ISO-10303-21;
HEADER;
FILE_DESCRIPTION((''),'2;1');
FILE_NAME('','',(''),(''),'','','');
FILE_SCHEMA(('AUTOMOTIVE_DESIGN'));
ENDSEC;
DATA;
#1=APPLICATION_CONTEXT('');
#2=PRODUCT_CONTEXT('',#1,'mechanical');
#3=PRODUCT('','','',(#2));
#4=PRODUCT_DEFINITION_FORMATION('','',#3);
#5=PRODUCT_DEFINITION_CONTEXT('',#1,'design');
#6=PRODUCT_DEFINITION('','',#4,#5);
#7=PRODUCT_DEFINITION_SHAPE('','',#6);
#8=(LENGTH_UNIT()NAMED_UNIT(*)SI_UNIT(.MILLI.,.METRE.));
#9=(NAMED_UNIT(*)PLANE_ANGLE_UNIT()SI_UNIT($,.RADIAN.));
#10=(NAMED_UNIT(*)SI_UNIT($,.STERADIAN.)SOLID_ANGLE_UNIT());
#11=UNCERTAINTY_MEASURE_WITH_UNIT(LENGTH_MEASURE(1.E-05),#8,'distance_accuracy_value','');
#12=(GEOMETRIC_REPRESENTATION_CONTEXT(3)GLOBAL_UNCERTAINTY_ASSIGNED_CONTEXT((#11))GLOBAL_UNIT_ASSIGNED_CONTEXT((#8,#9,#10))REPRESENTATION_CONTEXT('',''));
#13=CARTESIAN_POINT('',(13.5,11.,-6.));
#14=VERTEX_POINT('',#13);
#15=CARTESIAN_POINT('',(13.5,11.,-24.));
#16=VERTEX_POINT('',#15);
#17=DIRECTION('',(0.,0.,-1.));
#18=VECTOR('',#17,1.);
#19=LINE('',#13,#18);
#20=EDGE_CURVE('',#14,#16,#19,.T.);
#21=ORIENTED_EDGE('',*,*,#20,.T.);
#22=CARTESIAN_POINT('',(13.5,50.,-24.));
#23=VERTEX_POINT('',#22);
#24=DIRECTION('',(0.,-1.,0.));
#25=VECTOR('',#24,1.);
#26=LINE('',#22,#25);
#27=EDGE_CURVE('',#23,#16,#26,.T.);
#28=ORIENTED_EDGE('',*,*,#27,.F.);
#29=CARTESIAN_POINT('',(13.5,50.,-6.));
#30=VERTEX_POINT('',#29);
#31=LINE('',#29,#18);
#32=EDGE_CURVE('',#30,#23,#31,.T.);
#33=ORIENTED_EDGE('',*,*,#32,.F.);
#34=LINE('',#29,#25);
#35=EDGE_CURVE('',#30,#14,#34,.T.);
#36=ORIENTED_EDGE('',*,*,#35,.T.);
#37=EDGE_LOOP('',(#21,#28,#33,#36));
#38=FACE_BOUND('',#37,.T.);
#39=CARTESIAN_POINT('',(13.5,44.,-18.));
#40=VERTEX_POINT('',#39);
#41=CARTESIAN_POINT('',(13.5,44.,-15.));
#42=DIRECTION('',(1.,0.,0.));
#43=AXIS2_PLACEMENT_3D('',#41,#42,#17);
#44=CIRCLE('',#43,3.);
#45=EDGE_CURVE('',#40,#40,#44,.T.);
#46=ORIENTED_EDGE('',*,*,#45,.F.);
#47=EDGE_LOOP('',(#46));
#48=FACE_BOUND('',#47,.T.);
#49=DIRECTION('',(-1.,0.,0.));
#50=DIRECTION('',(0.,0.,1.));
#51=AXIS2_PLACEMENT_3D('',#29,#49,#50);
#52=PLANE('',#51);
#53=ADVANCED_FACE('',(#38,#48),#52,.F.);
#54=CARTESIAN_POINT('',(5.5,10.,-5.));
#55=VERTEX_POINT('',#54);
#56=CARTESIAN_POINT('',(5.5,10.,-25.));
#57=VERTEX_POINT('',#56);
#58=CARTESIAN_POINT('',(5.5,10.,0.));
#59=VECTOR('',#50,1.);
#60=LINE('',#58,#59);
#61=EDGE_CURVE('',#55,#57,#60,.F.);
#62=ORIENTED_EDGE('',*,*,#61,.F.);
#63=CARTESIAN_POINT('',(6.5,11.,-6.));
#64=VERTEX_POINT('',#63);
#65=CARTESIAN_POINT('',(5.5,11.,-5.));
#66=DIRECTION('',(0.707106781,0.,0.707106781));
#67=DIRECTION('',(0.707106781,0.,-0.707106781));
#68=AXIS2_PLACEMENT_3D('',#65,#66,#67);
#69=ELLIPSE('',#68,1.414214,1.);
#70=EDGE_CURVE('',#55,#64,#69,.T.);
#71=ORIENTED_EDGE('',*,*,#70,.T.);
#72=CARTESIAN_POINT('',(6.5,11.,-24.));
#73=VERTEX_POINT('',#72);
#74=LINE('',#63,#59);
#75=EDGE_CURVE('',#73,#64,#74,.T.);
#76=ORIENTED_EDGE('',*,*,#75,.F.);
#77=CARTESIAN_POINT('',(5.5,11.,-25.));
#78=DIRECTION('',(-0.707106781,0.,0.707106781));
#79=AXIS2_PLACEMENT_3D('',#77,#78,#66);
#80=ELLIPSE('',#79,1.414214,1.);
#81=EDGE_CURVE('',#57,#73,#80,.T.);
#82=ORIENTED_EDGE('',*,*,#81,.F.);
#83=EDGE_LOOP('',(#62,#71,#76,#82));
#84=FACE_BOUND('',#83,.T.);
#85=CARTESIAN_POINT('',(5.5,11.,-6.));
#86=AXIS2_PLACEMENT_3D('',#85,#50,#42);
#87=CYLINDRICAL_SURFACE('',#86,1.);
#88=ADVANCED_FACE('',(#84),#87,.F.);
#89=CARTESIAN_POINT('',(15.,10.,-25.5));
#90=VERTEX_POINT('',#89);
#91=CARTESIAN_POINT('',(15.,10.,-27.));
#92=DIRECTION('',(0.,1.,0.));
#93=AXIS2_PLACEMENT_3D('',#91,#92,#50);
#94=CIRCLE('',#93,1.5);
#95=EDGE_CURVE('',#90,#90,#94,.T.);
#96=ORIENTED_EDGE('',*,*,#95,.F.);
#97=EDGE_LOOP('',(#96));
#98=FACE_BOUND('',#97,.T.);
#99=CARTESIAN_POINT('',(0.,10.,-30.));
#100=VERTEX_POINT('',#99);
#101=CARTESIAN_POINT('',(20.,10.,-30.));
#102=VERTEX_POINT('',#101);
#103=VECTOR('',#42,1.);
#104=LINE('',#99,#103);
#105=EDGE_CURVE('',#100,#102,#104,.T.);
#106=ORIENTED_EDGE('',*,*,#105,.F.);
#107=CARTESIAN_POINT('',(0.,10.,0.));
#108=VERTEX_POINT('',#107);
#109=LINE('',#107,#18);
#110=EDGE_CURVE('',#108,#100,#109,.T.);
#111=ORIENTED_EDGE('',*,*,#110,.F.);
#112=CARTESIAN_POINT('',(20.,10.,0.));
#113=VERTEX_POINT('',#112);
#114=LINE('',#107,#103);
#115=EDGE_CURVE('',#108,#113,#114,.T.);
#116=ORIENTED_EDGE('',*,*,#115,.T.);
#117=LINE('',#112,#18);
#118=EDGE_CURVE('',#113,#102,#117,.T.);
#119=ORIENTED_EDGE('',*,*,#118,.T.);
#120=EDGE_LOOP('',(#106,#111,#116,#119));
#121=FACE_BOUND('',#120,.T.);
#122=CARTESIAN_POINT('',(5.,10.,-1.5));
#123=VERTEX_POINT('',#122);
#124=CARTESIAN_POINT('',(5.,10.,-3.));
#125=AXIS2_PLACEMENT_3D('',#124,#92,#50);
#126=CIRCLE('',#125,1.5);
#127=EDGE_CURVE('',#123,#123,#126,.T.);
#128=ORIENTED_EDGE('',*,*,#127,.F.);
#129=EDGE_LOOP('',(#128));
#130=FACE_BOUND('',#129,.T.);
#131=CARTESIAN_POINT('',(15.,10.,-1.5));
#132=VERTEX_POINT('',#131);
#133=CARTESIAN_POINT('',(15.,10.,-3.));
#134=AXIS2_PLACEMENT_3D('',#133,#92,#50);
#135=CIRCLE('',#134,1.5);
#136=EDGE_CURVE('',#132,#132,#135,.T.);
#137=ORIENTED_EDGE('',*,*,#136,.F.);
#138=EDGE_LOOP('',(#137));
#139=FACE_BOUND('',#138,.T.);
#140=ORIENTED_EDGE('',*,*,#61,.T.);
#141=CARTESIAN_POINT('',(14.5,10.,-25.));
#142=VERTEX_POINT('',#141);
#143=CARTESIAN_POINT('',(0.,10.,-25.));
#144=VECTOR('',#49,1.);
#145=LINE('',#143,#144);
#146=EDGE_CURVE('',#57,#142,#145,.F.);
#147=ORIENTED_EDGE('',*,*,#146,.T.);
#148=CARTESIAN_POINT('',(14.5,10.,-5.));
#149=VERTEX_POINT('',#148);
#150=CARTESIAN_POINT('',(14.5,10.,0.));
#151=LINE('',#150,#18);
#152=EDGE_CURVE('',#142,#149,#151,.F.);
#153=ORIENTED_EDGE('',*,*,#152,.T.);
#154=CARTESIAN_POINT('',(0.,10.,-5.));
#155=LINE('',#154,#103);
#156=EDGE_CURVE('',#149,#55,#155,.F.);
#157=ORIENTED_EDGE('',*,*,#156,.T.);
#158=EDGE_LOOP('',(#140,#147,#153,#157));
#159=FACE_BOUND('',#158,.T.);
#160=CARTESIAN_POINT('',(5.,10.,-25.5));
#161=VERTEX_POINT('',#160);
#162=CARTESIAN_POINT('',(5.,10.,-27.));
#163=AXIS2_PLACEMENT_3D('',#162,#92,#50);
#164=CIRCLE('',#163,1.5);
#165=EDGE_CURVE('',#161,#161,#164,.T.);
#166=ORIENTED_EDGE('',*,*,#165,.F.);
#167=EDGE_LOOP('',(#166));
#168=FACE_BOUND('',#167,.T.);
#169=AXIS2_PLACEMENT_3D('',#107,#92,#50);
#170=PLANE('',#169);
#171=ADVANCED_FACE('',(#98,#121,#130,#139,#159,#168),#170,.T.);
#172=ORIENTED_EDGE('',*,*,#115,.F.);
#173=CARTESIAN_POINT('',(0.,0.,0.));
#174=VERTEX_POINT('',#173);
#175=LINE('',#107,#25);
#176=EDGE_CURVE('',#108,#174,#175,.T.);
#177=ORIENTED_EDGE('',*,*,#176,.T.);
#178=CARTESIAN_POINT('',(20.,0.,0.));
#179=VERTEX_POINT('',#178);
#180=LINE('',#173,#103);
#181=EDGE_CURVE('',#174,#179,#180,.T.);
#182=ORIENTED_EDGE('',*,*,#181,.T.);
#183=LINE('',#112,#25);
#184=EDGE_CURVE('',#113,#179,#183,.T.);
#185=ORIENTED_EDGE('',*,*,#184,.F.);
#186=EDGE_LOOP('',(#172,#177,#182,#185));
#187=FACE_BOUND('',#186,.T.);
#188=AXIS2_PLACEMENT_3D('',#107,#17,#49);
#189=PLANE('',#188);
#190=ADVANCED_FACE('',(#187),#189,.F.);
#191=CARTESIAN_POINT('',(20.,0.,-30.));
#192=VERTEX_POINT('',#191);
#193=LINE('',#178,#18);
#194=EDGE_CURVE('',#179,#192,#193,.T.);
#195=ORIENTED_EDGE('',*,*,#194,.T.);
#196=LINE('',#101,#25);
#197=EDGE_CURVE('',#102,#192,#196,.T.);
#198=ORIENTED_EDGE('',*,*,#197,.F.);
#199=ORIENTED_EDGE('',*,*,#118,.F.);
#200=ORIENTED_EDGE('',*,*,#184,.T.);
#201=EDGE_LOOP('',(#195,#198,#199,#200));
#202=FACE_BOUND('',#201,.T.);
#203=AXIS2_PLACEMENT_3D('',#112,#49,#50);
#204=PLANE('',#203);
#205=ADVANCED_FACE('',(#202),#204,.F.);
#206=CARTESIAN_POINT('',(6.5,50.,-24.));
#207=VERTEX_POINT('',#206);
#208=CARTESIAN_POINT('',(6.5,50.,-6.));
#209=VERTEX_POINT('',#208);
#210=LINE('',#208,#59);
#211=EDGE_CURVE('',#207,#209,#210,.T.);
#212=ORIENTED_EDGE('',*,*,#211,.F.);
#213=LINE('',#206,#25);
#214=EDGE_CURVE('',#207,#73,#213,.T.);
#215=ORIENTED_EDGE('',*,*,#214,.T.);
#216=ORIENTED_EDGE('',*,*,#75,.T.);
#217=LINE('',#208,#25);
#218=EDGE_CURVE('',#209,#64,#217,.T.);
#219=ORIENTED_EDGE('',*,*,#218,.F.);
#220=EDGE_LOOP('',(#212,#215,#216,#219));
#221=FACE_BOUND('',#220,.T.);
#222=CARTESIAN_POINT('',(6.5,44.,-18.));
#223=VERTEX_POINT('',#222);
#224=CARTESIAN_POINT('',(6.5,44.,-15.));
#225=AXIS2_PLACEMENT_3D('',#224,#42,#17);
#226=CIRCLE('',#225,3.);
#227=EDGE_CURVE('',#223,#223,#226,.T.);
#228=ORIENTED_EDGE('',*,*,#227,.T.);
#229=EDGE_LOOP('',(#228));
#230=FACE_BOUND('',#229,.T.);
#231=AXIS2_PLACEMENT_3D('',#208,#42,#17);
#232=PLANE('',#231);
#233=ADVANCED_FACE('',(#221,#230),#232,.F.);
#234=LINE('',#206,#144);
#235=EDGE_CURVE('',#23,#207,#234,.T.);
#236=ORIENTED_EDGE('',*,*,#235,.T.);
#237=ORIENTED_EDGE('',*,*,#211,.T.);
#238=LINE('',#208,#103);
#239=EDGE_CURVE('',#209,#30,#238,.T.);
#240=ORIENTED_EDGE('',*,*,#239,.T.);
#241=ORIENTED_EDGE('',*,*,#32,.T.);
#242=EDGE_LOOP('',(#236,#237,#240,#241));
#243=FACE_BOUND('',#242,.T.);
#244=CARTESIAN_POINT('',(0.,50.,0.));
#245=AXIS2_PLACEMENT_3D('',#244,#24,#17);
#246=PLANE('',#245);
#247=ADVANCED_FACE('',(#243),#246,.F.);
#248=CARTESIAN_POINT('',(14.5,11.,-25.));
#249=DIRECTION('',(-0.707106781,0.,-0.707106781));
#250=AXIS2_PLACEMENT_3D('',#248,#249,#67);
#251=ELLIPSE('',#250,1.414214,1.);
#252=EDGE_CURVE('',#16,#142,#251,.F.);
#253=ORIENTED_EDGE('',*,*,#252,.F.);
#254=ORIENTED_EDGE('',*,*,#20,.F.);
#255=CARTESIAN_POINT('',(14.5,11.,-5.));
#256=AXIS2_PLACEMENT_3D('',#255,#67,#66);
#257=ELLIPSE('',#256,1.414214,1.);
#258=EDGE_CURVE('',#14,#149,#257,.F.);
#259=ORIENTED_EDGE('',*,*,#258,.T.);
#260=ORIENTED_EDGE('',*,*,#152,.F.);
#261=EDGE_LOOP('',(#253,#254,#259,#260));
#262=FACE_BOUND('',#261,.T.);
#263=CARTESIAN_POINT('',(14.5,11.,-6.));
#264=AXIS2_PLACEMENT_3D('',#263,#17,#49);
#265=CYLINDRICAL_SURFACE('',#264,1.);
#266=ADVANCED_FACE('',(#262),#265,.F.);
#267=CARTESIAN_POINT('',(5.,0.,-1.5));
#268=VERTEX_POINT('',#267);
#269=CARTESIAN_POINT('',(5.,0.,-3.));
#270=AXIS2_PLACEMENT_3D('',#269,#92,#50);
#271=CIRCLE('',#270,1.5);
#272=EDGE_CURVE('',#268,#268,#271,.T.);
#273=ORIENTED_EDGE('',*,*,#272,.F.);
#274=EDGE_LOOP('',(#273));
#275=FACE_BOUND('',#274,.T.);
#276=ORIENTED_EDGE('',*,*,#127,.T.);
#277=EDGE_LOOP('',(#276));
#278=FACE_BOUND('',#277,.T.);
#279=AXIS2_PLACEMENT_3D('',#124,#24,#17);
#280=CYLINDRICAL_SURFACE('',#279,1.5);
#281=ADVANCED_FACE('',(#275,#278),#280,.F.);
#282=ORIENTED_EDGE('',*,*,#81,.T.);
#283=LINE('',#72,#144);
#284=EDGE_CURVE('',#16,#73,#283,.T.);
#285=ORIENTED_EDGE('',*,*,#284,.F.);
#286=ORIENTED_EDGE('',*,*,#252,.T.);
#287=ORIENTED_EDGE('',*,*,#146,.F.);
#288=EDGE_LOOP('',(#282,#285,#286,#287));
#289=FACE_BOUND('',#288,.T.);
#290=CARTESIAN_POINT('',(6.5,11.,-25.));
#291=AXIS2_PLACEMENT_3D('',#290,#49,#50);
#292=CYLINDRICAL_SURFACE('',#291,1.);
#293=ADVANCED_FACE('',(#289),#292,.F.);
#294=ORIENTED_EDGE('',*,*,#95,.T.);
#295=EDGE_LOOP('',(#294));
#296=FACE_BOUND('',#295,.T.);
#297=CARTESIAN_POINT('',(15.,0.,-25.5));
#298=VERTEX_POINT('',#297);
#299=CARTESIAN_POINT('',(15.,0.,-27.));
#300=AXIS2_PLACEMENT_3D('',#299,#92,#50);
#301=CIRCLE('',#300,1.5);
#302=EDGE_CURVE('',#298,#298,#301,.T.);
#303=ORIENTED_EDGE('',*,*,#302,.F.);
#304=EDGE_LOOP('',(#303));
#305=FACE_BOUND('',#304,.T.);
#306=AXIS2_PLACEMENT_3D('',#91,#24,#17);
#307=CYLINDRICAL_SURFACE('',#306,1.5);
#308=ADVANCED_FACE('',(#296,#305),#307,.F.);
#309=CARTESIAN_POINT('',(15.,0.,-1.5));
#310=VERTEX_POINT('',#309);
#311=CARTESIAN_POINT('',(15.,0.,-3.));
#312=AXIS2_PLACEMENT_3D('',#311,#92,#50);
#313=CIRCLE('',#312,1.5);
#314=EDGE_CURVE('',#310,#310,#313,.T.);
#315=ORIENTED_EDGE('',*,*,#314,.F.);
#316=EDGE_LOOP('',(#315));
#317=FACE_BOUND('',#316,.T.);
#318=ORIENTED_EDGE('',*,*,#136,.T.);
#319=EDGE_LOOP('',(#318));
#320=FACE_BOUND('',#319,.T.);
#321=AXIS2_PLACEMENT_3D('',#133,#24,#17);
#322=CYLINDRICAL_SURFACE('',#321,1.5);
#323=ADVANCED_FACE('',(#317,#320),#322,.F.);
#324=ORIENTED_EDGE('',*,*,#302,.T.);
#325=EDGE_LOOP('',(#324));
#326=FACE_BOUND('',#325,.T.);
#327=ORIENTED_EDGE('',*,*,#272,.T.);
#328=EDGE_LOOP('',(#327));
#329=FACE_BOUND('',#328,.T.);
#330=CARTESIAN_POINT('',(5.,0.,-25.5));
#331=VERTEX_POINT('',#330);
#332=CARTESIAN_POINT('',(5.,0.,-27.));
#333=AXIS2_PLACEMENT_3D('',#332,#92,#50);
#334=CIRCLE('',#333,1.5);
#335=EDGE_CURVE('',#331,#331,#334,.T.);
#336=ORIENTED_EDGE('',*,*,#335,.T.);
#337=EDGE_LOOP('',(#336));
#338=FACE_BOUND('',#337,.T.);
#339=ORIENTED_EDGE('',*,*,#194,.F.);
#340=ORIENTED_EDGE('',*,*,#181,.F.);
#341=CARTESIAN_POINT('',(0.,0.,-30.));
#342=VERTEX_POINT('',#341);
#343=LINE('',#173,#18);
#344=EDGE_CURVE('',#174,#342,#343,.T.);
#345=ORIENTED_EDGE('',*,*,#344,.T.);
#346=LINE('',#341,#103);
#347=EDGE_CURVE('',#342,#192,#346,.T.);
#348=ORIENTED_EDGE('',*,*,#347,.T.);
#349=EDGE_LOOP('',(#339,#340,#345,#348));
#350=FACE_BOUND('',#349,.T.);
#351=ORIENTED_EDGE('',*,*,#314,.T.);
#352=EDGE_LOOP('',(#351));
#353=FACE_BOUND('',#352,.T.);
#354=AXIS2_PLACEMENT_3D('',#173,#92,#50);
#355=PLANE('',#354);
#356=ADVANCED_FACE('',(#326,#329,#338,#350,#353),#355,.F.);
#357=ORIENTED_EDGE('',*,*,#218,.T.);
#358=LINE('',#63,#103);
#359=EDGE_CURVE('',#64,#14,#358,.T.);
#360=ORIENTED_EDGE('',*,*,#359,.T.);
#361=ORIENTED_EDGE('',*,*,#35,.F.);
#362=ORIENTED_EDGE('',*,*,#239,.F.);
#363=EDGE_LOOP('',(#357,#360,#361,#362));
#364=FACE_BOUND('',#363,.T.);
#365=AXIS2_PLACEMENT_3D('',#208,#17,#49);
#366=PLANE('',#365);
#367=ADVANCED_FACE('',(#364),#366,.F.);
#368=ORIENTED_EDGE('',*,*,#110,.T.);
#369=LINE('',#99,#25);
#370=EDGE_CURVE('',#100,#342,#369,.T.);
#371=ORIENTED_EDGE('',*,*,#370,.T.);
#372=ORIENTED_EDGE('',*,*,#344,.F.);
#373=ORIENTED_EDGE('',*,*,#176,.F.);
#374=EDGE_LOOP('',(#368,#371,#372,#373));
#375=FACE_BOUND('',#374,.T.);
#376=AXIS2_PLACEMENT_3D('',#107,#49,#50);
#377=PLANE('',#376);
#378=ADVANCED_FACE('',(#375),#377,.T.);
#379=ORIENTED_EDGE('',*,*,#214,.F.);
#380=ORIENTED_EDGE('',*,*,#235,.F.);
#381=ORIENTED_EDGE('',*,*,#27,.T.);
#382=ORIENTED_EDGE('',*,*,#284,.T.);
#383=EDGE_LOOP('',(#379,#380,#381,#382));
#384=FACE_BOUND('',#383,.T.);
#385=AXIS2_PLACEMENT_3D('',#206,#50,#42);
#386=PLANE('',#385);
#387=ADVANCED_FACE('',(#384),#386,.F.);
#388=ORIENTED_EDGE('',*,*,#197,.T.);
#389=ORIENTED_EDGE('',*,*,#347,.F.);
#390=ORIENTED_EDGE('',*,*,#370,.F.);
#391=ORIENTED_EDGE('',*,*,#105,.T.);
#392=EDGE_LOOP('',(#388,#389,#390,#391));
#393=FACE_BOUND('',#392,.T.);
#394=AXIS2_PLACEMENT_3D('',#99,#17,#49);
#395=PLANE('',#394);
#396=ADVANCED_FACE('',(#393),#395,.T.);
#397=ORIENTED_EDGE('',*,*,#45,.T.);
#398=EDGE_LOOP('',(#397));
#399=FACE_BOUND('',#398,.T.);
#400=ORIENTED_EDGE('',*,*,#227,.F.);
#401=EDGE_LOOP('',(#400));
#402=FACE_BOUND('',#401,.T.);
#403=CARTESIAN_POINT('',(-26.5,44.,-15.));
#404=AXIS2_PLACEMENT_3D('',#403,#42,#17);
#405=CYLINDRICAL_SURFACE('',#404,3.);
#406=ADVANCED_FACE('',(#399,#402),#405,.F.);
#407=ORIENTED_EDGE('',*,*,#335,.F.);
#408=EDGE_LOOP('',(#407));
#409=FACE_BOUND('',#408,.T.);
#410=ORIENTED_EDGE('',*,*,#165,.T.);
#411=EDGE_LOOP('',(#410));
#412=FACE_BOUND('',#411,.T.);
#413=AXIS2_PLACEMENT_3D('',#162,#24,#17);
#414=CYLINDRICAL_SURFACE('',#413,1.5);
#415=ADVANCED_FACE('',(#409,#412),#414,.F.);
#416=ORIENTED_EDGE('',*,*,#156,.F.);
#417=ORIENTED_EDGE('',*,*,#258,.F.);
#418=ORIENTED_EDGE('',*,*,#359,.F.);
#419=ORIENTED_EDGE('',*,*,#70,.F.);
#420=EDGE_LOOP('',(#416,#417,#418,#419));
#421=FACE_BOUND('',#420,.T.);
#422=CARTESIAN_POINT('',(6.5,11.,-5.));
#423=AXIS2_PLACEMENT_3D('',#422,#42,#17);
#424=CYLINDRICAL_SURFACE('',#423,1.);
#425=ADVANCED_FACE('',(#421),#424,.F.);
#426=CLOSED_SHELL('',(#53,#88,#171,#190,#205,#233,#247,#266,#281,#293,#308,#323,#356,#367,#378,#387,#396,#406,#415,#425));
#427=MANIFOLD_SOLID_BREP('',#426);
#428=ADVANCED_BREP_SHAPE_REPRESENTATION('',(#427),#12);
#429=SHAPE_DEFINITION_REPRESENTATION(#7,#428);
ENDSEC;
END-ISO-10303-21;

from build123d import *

# Parameters (mm, degrees)
SKETCH1_R           = 1.5
BOSS_EXTRUDE1_DEPTH = 10
SKETCH2_W           = 7
SKETCH2_H           = 18
BOSS_EXTRUDE2_DEPTH = 40
SKETCH3_R           = 3
CUT_EXTRUDE1_DEPTH  = 40
FILLET1_R           = 1


with BuildPart() as part:
    # Sketch1 → Boss-Extrude1 (new body)
    with BuildSketch(Plane(origin=(0, 0, 0), x_dir=(1, 0, 0), z_dir=(0, 1, 0))):
        Polygon((0, 30), (0, 0), (10, 0), (20, 0), (20, 30), align=None)
        with Locations(Location((5, 3, 0), (0, 0, 270))):
            Circle(SKETCH1_R, mode=Mode.SUBTRACT)
        with Locations(Location((15, 3, 0), (0, 0, 270))):
            Circle(SKETCH1_R, mode=Mode.SUBTRACT)
        with Locations(Location((5, 27, 0), (0, 0, 270))):
            Circle(SKETCH1_R, mode=Mode.SUBTRACT)
        with Locations(Location((15, 27, 0), (0, 0, 270))):
            Circle(SKETCH1_R, mode=Mode.SUBTRACT)
    extrude(amount=BOSS_EXTRUDE1_DEPTH)

    # Sketch2 → Boss-Extrude2 (add)
    with BuildSketch(Plane(origin=(0, 10, 0), x_dir=(1, 0, 0), z_dir=(0, 1, 0))):
        with Locations((10, 15)):
            Rectangle(SKETCH2_W, SKETCH2_H)
    extrude(amount=BOSS_EXTRUDE2_DEPTH)

    # Sketch3 → Cut-Extrude1 (cut)
    with BuildSketch(Plane(origin=(13.5, 0, 0), x_dir=(0, 0, -1), z_dir=(1, 0, 0))):
        with Locations((15, 44)):
            Circle(SKETCH3_R)
    extrude(amount=-CUT_EXTRUDE1_DEPTH, mode=Mode.SUBTRACT)

    # Fillet1
    fillet1_edges = [part.edges().sort_by_distance(p)[0] for p in [
        (13.5, 10, -15),
        (10, 10, -24),
        (6.5, 10, -15),
        (10, 10, -6),
    ]]
    fillet(fillet1_edges, radius=FILLET1_R)


solid = part.part
